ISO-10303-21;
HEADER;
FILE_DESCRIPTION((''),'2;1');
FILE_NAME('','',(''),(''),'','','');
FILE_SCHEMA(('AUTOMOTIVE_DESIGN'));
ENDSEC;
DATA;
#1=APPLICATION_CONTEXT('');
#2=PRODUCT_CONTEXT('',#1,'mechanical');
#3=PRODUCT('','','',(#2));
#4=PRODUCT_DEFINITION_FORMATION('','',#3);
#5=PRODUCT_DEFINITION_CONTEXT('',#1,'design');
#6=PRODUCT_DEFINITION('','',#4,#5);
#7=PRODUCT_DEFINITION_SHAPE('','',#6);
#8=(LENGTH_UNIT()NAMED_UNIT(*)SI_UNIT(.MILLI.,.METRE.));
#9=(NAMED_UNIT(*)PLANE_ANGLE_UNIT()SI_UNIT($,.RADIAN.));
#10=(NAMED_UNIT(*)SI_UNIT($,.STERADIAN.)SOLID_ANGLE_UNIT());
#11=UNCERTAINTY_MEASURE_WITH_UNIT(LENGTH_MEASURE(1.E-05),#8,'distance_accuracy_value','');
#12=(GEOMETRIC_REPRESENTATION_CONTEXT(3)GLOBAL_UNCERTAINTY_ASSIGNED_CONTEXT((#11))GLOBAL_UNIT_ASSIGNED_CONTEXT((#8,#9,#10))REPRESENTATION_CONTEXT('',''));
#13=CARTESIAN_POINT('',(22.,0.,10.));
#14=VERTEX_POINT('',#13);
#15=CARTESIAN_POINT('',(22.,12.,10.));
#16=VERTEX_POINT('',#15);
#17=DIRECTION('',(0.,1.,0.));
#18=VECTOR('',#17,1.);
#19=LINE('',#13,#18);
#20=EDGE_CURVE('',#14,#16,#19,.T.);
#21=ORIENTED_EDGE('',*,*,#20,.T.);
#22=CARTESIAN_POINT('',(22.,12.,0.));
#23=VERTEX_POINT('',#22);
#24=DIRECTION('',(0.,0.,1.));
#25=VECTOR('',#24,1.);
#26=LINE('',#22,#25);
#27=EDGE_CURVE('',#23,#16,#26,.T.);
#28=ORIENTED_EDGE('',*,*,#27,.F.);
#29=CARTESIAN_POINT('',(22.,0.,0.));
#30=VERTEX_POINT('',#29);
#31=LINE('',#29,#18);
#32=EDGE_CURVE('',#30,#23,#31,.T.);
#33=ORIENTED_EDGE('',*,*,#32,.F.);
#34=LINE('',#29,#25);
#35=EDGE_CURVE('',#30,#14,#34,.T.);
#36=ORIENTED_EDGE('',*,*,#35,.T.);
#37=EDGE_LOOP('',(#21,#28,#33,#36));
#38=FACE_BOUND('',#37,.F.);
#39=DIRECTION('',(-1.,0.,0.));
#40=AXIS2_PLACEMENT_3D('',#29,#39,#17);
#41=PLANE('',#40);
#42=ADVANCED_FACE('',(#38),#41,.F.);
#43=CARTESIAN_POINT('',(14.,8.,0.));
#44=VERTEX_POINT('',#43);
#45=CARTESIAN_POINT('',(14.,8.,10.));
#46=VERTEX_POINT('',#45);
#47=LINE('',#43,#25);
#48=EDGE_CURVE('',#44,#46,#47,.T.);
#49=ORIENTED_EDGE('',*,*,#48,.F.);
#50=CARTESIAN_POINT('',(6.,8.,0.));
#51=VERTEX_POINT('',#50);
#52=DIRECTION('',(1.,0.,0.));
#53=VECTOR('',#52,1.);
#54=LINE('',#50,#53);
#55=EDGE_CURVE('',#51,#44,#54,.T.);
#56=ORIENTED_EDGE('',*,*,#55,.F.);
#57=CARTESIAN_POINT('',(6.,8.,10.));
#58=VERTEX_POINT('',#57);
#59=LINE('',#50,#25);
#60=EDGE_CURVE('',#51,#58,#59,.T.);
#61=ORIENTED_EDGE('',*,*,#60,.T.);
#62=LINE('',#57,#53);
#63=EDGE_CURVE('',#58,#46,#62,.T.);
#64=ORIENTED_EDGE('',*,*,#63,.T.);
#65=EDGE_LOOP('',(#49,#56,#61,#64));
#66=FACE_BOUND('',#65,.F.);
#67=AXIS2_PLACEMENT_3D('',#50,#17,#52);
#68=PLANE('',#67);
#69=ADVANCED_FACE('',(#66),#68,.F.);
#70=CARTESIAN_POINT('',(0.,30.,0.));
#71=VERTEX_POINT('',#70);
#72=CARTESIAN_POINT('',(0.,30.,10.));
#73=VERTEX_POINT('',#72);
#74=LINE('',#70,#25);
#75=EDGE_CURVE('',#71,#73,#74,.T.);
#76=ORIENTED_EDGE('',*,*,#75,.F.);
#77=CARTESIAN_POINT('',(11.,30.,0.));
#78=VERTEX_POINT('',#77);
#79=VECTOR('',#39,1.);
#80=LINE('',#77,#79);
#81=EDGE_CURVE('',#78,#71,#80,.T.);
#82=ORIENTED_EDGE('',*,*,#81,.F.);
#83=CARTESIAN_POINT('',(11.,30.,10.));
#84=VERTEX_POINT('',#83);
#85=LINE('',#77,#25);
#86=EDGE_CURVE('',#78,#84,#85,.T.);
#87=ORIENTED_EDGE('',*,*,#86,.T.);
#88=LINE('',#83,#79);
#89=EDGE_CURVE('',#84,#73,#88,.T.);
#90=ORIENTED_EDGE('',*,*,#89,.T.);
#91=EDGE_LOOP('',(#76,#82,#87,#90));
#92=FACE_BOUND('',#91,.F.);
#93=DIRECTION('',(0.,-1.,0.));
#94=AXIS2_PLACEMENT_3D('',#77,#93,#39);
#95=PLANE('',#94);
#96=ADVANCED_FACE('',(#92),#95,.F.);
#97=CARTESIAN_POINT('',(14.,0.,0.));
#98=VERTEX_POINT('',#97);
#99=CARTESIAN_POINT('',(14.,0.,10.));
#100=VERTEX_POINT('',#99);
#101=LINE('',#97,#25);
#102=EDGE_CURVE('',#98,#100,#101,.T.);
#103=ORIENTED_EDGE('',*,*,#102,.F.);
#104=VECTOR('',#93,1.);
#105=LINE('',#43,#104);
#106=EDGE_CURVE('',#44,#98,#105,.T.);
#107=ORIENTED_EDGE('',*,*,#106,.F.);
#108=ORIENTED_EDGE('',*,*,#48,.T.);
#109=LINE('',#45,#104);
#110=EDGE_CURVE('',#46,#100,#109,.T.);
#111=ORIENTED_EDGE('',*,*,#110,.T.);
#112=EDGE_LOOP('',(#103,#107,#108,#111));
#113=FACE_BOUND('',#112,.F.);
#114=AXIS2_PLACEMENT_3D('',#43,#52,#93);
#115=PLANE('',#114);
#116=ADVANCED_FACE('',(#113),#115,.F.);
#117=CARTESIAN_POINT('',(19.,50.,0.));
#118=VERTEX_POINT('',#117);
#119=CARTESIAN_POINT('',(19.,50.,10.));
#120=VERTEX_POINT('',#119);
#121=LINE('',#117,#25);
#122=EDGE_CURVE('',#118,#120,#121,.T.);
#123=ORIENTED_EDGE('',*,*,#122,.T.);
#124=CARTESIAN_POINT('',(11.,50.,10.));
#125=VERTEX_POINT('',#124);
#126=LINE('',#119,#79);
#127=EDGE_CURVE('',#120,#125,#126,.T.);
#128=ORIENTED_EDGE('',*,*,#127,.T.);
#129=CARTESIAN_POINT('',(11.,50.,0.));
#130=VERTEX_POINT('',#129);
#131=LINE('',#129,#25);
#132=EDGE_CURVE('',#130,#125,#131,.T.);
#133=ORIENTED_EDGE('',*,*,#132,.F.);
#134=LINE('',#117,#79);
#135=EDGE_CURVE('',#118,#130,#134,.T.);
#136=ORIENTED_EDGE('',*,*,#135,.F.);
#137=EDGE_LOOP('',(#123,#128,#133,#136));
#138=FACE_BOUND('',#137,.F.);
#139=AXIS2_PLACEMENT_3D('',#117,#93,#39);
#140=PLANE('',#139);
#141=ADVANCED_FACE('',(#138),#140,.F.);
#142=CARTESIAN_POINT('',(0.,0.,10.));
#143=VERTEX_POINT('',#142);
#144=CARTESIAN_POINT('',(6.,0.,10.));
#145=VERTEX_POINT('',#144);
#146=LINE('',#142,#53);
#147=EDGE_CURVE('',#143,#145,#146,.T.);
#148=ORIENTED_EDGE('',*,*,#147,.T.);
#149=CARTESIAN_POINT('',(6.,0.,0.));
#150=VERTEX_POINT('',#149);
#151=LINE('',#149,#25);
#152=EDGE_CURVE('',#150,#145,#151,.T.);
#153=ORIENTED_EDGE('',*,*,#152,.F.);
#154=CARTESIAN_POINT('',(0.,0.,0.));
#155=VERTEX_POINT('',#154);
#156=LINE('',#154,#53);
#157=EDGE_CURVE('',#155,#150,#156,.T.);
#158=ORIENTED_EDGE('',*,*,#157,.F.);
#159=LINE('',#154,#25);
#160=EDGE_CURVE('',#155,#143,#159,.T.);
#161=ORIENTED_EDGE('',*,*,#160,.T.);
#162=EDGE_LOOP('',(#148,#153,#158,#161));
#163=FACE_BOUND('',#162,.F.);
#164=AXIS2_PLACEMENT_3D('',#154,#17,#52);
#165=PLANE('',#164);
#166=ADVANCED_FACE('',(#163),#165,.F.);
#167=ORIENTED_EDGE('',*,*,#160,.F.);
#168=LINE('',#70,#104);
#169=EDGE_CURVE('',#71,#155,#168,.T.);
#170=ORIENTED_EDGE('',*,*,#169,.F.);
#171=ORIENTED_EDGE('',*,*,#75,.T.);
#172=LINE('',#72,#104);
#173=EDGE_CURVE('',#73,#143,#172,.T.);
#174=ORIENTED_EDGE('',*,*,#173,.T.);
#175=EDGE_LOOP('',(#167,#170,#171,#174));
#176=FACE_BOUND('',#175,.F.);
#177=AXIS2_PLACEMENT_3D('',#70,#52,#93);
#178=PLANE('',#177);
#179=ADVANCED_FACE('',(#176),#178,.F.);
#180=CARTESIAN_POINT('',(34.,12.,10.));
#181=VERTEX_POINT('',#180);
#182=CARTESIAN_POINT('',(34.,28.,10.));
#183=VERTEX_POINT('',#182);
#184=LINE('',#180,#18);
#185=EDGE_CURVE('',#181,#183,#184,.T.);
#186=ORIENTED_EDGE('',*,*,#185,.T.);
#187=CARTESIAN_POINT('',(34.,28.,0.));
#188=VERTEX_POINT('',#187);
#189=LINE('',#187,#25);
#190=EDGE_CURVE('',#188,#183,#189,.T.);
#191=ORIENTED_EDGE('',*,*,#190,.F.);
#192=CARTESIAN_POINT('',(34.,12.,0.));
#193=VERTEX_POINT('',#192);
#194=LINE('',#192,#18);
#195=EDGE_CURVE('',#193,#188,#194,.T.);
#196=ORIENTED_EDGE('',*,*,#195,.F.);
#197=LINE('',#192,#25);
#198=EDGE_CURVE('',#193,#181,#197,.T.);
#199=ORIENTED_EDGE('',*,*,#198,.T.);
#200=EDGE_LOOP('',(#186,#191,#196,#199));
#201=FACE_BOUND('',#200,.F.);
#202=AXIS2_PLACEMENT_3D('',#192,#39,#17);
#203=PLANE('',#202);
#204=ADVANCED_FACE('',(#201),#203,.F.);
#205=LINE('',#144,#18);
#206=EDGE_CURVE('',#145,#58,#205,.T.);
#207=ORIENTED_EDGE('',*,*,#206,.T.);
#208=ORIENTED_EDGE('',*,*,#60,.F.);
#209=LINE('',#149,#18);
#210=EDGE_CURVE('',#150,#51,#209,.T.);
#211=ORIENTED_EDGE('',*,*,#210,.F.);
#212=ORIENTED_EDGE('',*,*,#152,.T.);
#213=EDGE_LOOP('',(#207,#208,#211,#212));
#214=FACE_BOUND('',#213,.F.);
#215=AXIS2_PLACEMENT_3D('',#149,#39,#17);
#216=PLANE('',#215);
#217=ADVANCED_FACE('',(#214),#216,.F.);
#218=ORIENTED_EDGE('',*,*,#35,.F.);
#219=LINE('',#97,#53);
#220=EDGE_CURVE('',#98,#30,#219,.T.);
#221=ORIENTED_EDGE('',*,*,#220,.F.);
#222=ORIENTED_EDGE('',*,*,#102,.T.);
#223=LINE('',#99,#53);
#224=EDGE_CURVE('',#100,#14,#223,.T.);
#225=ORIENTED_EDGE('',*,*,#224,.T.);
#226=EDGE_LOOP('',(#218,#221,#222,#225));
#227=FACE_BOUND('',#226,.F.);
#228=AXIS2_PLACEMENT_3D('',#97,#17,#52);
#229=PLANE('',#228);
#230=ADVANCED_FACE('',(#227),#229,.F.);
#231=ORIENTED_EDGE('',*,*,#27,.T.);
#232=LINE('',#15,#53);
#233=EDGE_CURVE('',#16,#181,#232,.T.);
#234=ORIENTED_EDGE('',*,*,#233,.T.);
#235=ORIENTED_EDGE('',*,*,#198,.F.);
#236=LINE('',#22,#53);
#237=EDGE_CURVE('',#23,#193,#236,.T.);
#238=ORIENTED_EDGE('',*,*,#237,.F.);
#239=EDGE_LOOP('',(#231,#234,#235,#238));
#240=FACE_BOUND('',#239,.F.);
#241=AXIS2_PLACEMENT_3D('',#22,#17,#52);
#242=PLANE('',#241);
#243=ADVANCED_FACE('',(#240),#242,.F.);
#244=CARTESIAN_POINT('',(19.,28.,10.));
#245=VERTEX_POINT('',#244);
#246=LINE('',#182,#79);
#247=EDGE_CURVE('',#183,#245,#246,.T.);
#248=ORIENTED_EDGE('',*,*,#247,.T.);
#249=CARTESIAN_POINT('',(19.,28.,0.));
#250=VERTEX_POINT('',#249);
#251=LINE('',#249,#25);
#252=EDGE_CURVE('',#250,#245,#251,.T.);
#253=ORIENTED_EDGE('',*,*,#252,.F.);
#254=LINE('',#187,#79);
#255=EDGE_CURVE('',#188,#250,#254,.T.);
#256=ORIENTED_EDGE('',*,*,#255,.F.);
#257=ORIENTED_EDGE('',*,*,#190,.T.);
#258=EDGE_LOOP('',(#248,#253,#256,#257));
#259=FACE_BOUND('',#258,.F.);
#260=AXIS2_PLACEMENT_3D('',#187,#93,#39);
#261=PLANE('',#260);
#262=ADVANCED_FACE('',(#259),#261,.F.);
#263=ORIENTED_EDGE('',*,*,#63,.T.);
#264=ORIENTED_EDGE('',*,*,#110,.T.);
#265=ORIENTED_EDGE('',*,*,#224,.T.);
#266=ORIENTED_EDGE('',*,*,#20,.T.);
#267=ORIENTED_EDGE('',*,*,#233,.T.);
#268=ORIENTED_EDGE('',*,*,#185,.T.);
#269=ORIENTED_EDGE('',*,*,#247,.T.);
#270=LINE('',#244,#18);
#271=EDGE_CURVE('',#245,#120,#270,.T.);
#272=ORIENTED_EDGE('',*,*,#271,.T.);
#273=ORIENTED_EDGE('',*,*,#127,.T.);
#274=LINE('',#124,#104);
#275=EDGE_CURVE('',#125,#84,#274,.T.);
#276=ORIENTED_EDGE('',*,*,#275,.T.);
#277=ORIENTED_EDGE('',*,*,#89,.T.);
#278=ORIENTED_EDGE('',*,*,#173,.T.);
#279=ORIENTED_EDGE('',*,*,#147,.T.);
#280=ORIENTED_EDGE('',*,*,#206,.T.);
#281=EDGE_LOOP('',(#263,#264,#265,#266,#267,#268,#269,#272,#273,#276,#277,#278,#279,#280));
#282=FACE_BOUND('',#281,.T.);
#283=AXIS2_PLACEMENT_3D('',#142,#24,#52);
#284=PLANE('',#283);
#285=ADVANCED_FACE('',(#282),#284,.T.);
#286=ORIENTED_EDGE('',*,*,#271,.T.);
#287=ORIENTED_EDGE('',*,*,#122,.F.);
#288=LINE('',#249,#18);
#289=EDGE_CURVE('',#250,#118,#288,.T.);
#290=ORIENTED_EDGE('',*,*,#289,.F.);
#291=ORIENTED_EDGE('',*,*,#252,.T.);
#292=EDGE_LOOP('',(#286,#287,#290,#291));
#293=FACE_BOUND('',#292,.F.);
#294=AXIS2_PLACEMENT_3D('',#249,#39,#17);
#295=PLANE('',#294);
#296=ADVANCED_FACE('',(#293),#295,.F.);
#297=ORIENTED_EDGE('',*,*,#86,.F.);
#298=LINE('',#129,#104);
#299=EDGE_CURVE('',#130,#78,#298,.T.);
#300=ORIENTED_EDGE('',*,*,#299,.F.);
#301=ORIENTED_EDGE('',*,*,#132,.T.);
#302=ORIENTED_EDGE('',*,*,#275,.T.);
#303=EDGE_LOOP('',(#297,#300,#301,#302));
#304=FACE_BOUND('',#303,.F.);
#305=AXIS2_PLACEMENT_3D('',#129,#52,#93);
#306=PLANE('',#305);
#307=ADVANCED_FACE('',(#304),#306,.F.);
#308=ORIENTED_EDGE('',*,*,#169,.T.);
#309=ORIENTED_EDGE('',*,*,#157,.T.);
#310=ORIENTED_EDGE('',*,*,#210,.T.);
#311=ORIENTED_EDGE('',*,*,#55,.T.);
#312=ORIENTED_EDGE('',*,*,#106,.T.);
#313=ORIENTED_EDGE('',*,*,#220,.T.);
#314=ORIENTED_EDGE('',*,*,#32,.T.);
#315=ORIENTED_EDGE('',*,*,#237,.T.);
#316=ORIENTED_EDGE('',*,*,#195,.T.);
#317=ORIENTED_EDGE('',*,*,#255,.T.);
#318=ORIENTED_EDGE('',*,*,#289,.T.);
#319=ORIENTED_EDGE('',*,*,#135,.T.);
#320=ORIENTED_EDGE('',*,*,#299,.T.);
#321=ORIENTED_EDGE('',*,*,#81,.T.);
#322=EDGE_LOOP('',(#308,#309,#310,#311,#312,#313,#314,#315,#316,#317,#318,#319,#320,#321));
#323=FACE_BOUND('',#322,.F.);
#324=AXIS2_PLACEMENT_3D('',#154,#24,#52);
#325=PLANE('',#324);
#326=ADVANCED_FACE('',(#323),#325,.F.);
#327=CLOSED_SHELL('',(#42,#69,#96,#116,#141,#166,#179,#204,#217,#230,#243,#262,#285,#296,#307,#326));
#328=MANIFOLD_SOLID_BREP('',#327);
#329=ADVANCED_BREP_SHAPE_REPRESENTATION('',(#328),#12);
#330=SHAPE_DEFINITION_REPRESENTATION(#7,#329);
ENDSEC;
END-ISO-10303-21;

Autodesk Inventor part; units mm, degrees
ref_plane "YZ Plane" through (0, 0, 0) normal (1, 0, 0) x (0, 1, 0)
ref_plane "XZ Plane" through (0, 0, 0) normal (0, 1, 0) x (-1, 0, 0)
ref_plane "XY Plane" through (0, 0, 0) normal (0, 0, 1) x (1, 0, 0)
sketch "Эскиз1" plane through (0, 0, 0) normal (0, 0, 1) x (1, 0, 0)
  line L0 (0, 0) -> (6, 0)
  line L1 (6, 0) -> (6, 8)
  line L2 (6, 8) -> (14, 8)
  line L3 (14, 8) -> (14, 0)
  line L4 (14, 0) -> (22, 0)
  line L5 (22, 0) -> (22, 12)
  line L6 (22, 12) -> (34, 12)
  line L7 (34, 12) -> (34, 28)
  line L8 (34, 28) -> (19, 28)
  line L9 (19, 28) -> (19, 50)
  line L10 (19, 50) -> (11, 50)
  line L11 (11, 50) -> (11, 30)
  line L12 (11, 30) -> (0, 30)
  line L13 (0, 30) -> (0, 0)
  line L14 (-6, -4.3803) -> (-6, 17.4799)
  line L15 (-11.9348, 0) -> (0, 0)
  point P0 (-6, 0)
  dimension "d3" = 8
  dimension "d4" = 8
  dimension "d7" = 12
  dimension "d10" = 15
  dimension "d11" = 22
  dimension "d13" = 20
  dimension "d14" = 11
  dimension "d15" = 12
  dimension "d16" = 6
  dimension "d17" = 34
  dimension "d19" = 6
  dimension "d20" = 50
extrude "Выдавливание1" add sketch "Эскиз1" along normal blind 10
properties part number "N3"
